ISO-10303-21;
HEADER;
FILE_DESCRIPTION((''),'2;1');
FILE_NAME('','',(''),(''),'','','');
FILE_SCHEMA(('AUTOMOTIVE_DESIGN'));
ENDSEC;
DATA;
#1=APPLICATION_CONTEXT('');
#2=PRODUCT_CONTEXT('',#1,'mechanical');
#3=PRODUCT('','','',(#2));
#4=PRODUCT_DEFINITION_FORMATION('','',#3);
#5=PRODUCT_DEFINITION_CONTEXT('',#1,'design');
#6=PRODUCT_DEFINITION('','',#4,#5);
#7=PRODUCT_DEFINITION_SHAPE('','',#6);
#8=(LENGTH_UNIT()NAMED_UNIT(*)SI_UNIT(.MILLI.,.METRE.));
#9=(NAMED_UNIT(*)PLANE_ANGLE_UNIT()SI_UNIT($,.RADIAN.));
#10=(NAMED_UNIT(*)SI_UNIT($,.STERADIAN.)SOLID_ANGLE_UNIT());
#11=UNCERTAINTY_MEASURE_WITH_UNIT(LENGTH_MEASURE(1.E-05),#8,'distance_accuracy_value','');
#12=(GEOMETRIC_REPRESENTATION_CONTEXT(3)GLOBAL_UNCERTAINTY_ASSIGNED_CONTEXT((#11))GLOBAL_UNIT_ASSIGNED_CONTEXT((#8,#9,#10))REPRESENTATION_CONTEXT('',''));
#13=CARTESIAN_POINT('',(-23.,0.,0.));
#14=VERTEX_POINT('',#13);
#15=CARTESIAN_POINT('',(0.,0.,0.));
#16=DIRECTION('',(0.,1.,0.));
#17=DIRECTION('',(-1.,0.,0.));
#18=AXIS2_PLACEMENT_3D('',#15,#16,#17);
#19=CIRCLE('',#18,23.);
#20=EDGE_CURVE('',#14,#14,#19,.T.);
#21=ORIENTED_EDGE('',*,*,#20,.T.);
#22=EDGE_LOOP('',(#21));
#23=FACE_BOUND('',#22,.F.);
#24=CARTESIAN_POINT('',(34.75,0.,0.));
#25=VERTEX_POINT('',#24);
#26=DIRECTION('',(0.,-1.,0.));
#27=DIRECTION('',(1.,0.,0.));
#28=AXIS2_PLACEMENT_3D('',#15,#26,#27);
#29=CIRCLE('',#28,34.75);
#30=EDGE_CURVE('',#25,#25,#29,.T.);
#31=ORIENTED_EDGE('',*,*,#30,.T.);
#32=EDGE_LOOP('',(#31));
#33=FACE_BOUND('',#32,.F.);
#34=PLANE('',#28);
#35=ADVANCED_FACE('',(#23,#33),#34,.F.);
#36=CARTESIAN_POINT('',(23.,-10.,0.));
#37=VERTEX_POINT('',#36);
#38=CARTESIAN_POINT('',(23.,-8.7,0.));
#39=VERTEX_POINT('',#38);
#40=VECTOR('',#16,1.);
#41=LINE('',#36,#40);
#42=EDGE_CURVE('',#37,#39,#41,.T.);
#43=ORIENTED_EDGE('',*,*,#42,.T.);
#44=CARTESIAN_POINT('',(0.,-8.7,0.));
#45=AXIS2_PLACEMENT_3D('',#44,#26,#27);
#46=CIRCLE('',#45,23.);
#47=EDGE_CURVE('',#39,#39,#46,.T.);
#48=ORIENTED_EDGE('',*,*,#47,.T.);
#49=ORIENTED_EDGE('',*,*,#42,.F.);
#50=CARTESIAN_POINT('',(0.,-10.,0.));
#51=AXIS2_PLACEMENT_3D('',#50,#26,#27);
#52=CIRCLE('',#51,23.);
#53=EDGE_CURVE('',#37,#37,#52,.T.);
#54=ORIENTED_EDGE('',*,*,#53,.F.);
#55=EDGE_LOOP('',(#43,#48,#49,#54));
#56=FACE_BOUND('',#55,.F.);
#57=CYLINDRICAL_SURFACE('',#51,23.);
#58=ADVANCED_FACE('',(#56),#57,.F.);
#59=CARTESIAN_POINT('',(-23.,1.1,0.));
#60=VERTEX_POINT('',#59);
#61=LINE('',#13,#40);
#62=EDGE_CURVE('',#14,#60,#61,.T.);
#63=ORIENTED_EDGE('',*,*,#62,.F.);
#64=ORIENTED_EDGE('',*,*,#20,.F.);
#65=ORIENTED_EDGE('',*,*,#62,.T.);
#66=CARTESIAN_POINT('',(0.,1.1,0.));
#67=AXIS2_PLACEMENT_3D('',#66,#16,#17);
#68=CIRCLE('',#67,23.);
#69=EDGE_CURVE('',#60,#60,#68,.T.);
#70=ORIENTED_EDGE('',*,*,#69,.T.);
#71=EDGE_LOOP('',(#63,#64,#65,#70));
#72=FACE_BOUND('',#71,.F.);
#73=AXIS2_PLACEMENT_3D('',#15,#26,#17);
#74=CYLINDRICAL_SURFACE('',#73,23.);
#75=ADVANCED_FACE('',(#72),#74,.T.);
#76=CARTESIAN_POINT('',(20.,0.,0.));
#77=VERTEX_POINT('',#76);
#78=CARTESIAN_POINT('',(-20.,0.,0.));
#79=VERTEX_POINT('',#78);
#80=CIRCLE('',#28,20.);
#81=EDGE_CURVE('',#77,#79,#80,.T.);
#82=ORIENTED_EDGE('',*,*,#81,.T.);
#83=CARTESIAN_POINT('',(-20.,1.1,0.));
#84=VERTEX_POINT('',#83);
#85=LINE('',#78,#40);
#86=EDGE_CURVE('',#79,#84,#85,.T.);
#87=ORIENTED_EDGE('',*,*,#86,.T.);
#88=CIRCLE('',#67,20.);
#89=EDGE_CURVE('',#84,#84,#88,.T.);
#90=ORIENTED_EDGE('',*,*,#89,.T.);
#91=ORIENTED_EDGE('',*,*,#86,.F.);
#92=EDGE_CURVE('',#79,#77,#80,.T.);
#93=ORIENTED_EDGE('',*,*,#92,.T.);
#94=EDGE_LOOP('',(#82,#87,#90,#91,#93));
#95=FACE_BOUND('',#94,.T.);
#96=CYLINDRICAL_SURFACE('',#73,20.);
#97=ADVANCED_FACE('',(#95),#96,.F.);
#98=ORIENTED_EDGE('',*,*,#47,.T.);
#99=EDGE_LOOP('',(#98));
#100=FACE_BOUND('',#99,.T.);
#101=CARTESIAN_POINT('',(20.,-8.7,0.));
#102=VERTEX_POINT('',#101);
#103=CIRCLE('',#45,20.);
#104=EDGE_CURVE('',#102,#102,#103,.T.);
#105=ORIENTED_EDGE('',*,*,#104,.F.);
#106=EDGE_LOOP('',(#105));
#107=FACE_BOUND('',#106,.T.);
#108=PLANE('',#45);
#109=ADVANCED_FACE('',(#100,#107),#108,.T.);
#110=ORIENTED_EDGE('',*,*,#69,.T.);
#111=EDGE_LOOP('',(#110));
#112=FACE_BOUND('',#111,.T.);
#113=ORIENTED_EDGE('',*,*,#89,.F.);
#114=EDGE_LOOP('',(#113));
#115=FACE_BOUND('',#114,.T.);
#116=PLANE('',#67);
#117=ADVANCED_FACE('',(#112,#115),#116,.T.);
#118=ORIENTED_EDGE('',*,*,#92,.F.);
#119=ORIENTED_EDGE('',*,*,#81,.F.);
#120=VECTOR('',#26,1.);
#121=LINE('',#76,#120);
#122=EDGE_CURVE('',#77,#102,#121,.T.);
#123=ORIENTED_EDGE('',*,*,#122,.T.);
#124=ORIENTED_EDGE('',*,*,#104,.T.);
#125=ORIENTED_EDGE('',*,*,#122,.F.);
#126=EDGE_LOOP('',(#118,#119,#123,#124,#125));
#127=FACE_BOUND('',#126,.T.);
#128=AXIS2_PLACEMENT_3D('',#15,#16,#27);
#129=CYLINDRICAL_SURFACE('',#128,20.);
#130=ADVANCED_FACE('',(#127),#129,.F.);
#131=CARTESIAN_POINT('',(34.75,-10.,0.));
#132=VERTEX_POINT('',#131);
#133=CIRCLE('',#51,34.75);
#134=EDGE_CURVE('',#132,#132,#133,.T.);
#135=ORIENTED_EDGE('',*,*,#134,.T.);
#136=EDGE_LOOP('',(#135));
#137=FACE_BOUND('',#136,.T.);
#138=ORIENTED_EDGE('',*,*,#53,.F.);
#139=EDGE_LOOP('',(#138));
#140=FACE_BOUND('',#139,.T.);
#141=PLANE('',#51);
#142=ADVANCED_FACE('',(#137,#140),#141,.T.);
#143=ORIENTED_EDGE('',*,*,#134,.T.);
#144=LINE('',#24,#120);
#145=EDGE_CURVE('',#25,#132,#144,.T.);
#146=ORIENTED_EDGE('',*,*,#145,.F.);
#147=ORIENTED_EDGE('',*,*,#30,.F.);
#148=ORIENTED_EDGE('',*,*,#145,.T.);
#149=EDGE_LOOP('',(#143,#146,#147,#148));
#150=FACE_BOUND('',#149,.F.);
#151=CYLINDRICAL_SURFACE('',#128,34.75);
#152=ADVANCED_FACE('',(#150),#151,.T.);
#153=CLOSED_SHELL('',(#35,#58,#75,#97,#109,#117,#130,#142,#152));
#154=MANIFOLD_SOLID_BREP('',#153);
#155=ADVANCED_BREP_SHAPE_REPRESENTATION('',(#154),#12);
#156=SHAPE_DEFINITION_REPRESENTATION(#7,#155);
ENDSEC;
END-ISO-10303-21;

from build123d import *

# Parameters (mm, degrees)
F0_R     = 34.75
F0_R_2   = 20
F1_DEPTH = 10
F2_R     = 23
F2_R_2   = 20
F3_DEPTH = 1.3
F4_R     = 23
F4_R_2   = 20
F5_DEPTH = 1.1


with BuildPart() as f1:
    # F0 (on Front) → F1 (new body)
    with BuildSketch(Plane.XZ):
        Circle(F0_R)
        Circle(F0_R_2, mode=Mode.SUBTRACT)
    extrude(amount=F1_DEPTH)

    # F2 (on face) → F3 (cut)
    with BuildSketch(Plane.XZ.offset(10)):
        Circle(F2_R)
        Circle(F2_R_2, mode=Mode.SUBTRACT)
    extrude(amount=-F3_DEPTH, mode=Mode.SUBTRACT)

    # F4 (on face) → F5 (join)
    with BuildSketch(Plane(origin=(0, 0, 0), x_dir=(-1, 0, 0), z_dir=(0, 1, 0))):
        Circle(F4_R)
        Circle(F4_R_2, mode=Mode.SUBTRACT)
    extrude(amount=F5_DEPTH)


solid = f1.part
